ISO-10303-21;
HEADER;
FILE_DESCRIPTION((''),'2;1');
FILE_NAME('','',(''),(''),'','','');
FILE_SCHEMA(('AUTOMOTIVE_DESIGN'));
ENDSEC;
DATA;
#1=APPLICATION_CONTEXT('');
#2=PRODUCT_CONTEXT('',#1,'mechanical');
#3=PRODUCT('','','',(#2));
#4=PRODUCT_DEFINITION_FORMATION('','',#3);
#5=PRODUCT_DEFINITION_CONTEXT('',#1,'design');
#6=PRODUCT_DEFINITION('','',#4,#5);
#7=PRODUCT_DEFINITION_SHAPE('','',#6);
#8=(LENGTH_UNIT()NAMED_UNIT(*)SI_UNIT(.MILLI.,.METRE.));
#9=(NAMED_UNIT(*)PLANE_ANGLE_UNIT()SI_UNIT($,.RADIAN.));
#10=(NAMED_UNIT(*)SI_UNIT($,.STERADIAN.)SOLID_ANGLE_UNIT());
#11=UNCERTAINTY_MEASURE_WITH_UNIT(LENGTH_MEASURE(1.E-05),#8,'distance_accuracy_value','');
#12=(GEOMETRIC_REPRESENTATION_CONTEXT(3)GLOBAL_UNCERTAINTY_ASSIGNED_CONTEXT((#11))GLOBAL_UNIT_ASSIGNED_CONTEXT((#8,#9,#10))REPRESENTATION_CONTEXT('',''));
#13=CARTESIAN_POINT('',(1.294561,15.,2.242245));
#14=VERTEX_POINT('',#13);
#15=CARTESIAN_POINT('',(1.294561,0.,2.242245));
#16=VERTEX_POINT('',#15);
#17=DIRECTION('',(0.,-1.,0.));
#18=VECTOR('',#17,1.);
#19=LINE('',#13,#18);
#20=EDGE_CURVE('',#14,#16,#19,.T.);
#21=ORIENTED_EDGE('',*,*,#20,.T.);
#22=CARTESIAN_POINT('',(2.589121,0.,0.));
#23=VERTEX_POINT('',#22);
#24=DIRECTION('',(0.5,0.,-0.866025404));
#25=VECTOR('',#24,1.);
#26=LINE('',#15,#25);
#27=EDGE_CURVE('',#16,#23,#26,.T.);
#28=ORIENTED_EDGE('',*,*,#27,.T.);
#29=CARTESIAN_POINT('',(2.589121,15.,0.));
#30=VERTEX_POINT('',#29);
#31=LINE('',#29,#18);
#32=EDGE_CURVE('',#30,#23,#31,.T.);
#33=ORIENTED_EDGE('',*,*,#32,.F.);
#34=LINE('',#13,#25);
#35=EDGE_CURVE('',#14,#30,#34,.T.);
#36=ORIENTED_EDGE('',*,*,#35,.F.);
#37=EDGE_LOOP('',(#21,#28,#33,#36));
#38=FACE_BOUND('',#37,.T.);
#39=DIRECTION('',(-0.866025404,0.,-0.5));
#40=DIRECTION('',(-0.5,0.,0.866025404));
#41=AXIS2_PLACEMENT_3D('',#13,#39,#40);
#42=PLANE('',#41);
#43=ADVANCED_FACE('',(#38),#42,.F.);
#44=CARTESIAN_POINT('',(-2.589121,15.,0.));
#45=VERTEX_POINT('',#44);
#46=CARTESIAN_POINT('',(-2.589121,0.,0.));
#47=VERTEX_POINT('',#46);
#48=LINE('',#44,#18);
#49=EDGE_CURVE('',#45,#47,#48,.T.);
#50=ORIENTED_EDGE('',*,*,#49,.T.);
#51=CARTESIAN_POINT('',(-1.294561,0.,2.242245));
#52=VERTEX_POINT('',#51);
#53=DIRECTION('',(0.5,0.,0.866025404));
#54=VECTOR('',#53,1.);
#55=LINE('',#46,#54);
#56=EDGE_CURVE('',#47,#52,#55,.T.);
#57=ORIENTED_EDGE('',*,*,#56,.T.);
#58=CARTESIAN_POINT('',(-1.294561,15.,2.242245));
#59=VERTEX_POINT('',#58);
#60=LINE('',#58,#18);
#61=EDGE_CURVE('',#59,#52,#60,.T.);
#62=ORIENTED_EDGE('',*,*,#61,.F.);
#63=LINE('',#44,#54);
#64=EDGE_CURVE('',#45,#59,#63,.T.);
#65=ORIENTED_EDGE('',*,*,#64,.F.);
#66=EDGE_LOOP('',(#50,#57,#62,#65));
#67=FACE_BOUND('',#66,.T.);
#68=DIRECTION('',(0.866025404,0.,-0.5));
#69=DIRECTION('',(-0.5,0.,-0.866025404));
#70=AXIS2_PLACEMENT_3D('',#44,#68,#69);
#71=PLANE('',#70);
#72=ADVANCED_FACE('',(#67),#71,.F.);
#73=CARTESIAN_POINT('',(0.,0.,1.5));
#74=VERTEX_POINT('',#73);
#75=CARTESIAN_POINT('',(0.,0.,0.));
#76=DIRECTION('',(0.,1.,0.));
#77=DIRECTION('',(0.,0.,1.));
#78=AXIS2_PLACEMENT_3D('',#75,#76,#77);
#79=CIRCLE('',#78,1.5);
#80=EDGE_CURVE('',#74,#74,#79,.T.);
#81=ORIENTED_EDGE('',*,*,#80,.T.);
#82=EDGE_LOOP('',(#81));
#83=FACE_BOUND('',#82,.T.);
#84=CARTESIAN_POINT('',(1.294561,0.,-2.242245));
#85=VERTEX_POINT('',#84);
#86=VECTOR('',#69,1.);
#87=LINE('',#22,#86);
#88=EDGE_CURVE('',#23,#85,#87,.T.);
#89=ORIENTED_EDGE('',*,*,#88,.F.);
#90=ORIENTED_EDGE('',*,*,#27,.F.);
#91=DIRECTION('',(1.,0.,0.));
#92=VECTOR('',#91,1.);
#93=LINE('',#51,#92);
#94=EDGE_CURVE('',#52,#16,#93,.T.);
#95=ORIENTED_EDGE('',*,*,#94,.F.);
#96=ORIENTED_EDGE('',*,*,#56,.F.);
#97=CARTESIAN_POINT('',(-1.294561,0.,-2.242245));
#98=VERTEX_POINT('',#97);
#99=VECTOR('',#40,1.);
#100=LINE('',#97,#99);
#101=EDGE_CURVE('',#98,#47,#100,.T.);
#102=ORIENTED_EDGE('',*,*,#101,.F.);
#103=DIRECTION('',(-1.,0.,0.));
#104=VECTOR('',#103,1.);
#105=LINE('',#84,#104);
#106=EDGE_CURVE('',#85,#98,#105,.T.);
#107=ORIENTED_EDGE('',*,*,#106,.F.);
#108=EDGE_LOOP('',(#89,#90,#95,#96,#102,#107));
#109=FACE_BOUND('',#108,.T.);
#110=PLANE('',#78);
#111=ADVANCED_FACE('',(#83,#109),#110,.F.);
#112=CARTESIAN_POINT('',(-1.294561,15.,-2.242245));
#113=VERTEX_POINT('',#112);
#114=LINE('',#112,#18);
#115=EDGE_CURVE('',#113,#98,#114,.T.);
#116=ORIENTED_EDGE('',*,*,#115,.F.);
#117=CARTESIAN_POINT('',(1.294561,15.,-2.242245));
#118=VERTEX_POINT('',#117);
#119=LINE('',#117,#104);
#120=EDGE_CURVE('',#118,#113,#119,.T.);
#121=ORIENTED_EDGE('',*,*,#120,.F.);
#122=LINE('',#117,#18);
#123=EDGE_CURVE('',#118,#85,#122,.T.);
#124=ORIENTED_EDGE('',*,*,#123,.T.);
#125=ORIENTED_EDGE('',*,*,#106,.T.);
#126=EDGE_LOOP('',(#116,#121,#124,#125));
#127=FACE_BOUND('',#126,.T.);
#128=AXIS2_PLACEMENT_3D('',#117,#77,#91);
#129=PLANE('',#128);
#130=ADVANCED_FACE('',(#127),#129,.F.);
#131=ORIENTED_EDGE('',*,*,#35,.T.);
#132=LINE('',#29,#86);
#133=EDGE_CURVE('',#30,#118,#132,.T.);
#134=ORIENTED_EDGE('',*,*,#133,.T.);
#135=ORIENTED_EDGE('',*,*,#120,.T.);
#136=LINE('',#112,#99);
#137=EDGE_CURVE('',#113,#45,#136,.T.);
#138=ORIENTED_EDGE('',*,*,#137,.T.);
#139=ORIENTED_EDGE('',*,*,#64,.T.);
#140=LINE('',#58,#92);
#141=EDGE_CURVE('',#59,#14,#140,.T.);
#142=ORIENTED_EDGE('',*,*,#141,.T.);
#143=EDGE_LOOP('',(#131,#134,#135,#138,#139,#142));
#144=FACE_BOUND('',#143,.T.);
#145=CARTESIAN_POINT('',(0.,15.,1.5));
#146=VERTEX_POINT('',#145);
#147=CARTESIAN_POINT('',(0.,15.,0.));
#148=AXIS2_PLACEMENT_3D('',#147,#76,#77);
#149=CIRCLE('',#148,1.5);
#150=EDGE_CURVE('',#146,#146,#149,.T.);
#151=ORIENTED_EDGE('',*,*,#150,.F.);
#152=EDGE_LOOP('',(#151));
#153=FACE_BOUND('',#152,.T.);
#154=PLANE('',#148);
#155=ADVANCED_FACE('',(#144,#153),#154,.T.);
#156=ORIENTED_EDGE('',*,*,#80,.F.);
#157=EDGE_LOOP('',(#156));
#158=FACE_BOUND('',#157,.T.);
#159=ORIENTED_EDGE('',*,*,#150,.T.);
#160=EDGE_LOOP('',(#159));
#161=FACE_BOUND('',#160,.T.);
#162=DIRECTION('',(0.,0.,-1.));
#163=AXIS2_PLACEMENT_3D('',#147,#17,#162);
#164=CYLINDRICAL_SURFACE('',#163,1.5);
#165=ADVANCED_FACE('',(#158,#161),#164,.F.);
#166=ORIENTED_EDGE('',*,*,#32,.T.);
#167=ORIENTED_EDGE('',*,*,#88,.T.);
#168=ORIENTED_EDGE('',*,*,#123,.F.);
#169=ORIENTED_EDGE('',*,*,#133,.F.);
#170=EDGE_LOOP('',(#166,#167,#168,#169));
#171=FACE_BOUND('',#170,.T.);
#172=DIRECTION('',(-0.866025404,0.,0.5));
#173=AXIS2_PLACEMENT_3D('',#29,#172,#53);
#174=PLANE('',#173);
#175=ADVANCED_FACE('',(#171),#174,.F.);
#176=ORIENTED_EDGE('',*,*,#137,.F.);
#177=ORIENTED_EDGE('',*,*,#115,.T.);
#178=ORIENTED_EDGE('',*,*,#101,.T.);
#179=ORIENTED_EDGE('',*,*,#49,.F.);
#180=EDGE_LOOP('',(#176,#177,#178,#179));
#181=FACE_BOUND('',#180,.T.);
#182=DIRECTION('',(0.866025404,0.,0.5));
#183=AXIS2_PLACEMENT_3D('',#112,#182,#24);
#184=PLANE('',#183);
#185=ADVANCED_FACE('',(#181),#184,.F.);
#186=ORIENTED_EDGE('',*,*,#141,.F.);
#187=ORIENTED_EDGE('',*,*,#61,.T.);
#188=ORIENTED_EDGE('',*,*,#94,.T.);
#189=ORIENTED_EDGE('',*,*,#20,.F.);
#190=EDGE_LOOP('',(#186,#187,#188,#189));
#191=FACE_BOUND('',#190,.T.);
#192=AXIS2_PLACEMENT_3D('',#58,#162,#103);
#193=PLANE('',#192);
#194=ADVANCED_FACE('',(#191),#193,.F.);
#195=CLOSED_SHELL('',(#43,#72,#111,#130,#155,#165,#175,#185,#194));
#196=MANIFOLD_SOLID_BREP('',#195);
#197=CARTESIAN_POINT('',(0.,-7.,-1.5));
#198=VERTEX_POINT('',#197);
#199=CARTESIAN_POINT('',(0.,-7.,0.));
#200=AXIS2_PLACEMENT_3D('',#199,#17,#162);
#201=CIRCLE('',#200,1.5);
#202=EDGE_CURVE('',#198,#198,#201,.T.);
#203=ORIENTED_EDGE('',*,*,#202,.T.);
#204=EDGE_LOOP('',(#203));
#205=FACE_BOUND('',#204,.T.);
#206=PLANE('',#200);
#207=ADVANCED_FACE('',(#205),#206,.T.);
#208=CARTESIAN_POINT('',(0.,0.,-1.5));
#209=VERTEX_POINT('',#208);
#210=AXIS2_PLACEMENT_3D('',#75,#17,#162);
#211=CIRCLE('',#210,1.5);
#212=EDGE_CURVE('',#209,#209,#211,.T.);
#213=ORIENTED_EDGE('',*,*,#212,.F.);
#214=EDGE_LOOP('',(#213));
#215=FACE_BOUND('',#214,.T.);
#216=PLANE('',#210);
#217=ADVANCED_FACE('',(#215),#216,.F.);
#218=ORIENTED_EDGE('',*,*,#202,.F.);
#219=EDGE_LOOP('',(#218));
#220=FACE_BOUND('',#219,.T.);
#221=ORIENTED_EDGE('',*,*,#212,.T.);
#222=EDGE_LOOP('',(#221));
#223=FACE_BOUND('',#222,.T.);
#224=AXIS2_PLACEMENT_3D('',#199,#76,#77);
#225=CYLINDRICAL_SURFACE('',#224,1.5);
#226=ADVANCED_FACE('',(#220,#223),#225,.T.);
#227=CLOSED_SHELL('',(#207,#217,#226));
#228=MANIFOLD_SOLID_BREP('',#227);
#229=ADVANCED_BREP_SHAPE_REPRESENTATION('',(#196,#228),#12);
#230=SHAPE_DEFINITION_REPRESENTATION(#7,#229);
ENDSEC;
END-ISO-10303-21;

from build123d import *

# Parameters (mm, degrees)
SKETCH1_R           = 1.5
BOSS_EXTRUDE1_DEPTH = 15
SKETCH2_R           = 1.5
BOSS_EXTRUDE3_DEPTH = 7


with BuildPart() as part:
    # Sketch1 → Boss-Extrude1 (new body)
    with BuildSketch(Plane(origin=(0, 0, 0), x_dir=(1, 0, 0), z_dir=(0, 1, 0))):
        Polygon((-1.294560663, 2.242244841), (-2.589121325, 0), (-1.294560663, -2.242244841), (1.294560663, -2.242244841), (2.589121325, 0), (1.294560663, 2.242244841), align=None)
        with Locations(Location((0, 0, 0), (0, 0, 270))):
            Circle(SKETCH1_R, mode=Mode.SUBTRACT)
    extrude(amount=BOSS_EXTRUDE1_DEPTH)


with BuildPart() as body_2:
    # Sketch2 → Boss-Extrude3 (new body)
    with BuildSketch(Plane.XZ):
        with Locations(Location((0, 0, 0), (0, 0, 270))):
            Circle(SKETCH2_R)
    extrude(amount=BOSS_EXTRUDE3_DEPTH)


solid = Compound([part.part, body_2.part])
